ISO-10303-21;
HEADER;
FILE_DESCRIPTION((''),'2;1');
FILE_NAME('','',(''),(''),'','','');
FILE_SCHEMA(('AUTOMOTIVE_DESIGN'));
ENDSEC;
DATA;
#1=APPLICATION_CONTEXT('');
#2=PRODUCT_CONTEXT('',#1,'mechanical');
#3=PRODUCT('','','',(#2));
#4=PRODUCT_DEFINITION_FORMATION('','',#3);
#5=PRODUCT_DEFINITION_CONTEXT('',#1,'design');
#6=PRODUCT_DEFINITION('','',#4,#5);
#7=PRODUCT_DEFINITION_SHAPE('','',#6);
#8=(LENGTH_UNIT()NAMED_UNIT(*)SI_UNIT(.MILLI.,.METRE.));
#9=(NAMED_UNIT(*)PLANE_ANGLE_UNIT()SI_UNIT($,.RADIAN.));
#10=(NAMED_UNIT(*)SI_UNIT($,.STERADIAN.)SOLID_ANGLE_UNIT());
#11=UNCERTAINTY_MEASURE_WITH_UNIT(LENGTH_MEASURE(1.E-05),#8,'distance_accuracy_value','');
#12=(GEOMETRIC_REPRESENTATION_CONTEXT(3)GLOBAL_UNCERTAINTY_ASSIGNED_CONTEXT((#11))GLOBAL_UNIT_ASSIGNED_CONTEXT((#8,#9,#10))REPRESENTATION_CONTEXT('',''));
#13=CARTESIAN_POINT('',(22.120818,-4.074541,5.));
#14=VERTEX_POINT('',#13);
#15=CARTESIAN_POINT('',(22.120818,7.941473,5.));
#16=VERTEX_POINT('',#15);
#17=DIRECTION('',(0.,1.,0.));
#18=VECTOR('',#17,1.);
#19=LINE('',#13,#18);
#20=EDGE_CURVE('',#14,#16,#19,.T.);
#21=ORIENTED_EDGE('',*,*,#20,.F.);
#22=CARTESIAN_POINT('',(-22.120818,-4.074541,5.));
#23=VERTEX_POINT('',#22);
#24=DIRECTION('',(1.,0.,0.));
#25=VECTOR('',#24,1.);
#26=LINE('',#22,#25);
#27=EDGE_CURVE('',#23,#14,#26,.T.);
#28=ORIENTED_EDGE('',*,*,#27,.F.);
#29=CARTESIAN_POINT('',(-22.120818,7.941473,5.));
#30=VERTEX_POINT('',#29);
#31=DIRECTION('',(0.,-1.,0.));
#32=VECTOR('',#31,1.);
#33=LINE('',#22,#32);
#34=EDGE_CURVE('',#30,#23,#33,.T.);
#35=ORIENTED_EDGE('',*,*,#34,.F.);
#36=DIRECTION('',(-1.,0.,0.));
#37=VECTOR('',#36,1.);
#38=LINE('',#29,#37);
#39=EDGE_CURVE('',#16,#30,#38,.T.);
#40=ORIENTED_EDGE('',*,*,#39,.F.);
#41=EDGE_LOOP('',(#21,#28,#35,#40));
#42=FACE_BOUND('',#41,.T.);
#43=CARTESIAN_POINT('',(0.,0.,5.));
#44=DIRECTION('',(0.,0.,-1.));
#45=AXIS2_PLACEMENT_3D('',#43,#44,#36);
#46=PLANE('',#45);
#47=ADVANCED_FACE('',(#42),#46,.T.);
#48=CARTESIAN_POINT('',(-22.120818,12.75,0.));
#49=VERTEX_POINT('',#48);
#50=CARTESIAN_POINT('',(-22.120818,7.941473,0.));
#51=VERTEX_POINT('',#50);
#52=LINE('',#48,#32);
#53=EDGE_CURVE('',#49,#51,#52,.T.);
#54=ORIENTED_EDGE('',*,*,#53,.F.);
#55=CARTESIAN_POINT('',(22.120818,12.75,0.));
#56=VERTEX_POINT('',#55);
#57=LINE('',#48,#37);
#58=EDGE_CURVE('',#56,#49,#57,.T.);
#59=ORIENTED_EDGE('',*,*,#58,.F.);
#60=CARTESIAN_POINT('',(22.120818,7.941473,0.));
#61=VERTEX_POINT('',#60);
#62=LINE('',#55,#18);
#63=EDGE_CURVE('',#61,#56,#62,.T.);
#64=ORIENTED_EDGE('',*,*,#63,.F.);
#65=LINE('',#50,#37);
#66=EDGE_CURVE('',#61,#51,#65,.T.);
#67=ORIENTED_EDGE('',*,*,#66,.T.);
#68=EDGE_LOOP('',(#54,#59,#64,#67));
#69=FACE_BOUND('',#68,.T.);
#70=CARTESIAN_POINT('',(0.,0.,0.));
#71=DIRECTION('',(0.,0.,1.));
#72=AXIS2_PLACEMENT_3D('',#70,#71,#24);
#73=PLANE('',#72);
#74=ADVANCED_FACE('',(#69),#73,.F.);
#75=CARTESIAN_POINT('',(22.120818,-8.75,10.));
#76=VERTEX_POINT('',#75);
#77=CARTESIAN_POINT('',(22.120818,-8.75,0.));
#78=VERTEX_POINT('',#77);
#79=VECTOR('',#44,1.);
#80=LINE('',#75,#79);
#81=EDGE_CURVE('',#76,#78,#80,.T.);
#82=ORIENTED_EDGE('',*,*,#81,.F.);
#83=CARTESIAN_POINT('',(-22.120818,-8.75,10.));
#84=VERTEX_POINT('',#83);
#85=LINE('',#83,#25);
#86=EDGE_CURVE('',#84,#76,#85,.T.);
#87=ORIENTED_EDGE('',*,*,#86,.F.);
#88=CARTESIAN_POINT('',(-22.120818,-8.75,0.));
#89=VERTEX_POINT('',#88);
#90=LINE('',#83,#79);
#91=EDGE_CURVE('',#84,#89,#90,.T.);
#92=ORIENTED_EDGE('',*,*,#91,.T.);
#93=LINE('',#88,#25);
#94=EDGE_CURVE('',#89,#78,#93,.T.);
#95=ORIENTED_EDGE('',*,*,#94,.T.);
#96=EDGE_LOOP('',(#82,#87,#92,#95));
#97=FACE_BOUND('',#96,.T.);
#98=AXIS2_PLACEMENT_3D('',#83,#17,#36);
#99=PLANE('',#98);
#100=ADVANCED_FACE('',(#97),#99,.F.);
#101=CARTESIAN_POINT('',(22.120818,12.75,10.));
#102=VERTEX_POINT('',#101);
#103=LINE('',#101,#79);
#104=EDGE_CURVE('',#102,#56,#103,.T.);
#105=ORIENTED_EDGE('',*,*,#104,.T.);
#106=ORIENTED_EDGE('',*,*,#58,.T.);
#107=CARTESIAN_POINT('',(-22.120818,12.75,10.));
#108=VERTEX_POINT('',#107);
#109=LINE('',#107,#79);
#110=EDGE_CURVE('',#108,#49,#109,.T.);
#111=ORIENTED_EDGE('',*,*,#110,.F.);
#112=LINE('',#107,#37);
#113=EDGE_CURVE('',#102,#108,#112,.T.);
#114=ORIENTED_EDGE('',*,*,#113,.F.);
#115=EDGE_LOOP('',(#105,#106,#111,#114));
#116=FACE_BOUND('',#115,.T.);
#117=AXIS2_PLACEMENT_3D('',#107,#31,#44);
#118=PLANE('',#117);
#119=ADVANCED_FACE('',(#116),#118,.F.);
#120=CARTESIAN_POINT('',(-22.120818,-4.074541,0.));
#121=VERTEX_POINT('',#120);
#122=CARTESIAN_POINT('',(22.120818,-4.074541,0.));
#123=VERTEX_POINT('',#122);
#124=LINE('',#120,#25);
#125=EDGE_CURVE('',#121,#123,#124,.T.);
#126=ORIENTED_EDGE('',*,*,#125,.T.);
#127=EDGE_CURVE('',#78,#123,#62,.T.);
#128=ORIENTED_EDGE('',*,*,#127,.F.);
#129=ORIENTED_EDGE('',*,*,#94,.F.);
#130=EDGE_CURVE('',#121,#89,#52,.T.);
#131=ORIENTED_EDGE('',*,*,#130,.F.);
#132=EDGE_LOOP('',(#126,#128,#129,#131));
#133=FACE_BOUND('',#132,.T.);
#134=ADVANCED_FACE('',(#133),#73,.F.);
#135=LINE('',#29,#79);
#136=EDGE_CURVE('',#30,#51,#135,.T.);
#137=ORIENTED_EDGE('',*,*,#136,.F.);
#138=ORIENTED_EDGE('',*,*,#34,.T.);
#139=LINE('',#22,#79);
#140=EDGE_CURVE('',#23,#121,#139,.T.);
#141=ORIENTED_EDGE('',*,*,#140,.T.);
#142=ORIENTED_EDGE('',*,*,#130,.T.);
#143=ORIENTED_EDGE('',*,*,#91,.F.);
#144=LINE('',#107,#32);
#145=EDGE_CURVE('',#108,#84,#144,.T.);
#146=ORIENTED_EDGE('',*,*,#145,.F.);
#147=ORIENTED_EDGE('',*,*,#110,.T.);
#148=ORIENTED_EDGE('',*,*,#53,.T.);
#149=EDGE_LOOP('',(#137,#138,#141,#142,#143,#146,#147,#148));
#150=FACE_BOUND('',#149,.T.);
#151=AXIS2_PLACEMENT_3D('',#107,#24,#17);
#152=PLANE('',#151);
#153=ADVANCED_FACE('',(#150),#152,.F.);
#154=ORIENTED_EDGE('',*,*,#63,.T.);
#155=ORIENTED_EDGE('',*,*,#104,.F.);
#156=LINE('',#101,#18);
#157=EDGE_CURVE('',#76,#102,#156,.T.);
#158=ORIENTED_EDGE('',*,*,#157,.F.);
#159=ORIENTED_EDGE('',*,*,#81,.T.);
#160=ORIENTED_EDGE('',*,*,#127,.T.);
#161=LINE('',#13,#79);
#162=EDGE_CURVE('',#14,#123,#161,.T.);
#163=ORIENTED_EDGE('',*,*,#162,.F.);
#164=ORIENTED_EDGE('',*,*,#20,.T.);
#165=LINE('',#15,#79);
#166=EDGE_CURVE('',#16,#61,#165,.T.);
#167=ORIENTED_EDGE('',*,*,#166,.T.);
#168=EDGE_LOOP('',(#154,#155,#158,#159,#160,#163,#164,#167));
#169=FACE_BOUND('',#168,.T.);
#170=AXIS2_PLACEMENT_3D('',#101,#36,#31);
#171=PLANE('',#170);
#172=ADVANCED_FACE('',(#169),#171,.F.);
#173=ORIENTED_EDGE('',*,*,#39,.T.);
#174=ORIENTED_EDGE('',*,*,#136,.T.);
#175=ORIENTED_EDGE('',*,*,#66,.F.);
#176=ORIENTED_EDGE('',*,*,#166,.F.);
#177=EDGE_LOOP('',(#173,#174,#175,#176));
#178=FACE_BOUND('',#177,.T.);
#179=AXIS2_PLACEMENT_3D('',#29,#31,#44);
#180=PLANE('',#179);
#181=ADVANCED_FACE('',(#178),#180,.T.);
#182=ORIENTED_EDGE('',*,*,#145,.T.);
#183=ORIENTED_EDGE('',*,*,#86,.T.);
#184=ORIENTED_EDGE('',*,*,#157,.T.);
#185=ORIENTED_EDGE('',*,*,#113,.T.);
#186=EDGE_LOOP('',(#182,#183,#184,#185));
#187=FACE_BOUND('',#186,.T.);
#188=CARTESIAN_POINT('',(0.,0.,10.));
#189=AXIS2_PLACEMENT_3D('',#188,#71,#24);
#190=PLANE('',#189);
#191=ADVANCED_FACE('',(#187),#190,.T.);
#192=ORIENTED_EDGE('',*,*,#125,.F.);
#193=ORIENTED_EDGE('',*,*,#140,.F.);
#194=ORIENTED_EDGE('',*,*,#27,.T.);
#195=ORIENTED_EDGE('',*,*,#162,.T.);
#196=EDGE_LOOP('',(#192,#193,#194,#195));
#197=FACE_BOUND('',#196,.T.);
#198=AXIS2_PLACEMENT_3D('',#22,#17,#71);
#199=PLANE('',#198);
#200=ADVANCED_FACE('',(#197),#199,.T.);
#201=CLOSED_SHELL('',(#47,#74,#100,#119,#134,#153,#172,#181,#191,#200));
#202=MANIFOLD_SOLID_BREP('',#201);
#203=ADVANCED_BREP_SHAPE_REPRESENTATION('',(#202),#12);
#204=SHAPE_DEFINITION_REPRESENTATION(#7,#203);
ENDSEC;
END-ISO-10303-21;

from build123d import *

# Parameters (mm, degrees)
SKETCH1_W           = 44.241636344
SKETCH1_H           = 21.5
BOSS_EXTRUDE1_DEPTH = 10
SKETCH2_W           = 44.241636344
SKETCH2_H           = 12.016013524
CUT_EXTRUDE1_DEPTH  = 5


with BuildPart() as part:
    # Sketch1 → Boss-Extrude1 (new body)
    with BuildSketch(Plane.XY):
        with Locations((0, 2)):
            Rectangle(SKETCH1_W, SKETCH1_H)
    extrude(amount=BOSS_EXTRUDE1_DEPTH)

    # Sketch2 → Cut-Extrude1 (cut)
    with BuildSketch(Plane.XY):
        with Locations((0, 1.933466246)):
            Rectangle(SKETCH2_W, SKETCH2_H)
    extrude(amount=CUT_EXTRUDE1_DEPTH, mode=Mode.SUBTRACT)


solid = part.part
